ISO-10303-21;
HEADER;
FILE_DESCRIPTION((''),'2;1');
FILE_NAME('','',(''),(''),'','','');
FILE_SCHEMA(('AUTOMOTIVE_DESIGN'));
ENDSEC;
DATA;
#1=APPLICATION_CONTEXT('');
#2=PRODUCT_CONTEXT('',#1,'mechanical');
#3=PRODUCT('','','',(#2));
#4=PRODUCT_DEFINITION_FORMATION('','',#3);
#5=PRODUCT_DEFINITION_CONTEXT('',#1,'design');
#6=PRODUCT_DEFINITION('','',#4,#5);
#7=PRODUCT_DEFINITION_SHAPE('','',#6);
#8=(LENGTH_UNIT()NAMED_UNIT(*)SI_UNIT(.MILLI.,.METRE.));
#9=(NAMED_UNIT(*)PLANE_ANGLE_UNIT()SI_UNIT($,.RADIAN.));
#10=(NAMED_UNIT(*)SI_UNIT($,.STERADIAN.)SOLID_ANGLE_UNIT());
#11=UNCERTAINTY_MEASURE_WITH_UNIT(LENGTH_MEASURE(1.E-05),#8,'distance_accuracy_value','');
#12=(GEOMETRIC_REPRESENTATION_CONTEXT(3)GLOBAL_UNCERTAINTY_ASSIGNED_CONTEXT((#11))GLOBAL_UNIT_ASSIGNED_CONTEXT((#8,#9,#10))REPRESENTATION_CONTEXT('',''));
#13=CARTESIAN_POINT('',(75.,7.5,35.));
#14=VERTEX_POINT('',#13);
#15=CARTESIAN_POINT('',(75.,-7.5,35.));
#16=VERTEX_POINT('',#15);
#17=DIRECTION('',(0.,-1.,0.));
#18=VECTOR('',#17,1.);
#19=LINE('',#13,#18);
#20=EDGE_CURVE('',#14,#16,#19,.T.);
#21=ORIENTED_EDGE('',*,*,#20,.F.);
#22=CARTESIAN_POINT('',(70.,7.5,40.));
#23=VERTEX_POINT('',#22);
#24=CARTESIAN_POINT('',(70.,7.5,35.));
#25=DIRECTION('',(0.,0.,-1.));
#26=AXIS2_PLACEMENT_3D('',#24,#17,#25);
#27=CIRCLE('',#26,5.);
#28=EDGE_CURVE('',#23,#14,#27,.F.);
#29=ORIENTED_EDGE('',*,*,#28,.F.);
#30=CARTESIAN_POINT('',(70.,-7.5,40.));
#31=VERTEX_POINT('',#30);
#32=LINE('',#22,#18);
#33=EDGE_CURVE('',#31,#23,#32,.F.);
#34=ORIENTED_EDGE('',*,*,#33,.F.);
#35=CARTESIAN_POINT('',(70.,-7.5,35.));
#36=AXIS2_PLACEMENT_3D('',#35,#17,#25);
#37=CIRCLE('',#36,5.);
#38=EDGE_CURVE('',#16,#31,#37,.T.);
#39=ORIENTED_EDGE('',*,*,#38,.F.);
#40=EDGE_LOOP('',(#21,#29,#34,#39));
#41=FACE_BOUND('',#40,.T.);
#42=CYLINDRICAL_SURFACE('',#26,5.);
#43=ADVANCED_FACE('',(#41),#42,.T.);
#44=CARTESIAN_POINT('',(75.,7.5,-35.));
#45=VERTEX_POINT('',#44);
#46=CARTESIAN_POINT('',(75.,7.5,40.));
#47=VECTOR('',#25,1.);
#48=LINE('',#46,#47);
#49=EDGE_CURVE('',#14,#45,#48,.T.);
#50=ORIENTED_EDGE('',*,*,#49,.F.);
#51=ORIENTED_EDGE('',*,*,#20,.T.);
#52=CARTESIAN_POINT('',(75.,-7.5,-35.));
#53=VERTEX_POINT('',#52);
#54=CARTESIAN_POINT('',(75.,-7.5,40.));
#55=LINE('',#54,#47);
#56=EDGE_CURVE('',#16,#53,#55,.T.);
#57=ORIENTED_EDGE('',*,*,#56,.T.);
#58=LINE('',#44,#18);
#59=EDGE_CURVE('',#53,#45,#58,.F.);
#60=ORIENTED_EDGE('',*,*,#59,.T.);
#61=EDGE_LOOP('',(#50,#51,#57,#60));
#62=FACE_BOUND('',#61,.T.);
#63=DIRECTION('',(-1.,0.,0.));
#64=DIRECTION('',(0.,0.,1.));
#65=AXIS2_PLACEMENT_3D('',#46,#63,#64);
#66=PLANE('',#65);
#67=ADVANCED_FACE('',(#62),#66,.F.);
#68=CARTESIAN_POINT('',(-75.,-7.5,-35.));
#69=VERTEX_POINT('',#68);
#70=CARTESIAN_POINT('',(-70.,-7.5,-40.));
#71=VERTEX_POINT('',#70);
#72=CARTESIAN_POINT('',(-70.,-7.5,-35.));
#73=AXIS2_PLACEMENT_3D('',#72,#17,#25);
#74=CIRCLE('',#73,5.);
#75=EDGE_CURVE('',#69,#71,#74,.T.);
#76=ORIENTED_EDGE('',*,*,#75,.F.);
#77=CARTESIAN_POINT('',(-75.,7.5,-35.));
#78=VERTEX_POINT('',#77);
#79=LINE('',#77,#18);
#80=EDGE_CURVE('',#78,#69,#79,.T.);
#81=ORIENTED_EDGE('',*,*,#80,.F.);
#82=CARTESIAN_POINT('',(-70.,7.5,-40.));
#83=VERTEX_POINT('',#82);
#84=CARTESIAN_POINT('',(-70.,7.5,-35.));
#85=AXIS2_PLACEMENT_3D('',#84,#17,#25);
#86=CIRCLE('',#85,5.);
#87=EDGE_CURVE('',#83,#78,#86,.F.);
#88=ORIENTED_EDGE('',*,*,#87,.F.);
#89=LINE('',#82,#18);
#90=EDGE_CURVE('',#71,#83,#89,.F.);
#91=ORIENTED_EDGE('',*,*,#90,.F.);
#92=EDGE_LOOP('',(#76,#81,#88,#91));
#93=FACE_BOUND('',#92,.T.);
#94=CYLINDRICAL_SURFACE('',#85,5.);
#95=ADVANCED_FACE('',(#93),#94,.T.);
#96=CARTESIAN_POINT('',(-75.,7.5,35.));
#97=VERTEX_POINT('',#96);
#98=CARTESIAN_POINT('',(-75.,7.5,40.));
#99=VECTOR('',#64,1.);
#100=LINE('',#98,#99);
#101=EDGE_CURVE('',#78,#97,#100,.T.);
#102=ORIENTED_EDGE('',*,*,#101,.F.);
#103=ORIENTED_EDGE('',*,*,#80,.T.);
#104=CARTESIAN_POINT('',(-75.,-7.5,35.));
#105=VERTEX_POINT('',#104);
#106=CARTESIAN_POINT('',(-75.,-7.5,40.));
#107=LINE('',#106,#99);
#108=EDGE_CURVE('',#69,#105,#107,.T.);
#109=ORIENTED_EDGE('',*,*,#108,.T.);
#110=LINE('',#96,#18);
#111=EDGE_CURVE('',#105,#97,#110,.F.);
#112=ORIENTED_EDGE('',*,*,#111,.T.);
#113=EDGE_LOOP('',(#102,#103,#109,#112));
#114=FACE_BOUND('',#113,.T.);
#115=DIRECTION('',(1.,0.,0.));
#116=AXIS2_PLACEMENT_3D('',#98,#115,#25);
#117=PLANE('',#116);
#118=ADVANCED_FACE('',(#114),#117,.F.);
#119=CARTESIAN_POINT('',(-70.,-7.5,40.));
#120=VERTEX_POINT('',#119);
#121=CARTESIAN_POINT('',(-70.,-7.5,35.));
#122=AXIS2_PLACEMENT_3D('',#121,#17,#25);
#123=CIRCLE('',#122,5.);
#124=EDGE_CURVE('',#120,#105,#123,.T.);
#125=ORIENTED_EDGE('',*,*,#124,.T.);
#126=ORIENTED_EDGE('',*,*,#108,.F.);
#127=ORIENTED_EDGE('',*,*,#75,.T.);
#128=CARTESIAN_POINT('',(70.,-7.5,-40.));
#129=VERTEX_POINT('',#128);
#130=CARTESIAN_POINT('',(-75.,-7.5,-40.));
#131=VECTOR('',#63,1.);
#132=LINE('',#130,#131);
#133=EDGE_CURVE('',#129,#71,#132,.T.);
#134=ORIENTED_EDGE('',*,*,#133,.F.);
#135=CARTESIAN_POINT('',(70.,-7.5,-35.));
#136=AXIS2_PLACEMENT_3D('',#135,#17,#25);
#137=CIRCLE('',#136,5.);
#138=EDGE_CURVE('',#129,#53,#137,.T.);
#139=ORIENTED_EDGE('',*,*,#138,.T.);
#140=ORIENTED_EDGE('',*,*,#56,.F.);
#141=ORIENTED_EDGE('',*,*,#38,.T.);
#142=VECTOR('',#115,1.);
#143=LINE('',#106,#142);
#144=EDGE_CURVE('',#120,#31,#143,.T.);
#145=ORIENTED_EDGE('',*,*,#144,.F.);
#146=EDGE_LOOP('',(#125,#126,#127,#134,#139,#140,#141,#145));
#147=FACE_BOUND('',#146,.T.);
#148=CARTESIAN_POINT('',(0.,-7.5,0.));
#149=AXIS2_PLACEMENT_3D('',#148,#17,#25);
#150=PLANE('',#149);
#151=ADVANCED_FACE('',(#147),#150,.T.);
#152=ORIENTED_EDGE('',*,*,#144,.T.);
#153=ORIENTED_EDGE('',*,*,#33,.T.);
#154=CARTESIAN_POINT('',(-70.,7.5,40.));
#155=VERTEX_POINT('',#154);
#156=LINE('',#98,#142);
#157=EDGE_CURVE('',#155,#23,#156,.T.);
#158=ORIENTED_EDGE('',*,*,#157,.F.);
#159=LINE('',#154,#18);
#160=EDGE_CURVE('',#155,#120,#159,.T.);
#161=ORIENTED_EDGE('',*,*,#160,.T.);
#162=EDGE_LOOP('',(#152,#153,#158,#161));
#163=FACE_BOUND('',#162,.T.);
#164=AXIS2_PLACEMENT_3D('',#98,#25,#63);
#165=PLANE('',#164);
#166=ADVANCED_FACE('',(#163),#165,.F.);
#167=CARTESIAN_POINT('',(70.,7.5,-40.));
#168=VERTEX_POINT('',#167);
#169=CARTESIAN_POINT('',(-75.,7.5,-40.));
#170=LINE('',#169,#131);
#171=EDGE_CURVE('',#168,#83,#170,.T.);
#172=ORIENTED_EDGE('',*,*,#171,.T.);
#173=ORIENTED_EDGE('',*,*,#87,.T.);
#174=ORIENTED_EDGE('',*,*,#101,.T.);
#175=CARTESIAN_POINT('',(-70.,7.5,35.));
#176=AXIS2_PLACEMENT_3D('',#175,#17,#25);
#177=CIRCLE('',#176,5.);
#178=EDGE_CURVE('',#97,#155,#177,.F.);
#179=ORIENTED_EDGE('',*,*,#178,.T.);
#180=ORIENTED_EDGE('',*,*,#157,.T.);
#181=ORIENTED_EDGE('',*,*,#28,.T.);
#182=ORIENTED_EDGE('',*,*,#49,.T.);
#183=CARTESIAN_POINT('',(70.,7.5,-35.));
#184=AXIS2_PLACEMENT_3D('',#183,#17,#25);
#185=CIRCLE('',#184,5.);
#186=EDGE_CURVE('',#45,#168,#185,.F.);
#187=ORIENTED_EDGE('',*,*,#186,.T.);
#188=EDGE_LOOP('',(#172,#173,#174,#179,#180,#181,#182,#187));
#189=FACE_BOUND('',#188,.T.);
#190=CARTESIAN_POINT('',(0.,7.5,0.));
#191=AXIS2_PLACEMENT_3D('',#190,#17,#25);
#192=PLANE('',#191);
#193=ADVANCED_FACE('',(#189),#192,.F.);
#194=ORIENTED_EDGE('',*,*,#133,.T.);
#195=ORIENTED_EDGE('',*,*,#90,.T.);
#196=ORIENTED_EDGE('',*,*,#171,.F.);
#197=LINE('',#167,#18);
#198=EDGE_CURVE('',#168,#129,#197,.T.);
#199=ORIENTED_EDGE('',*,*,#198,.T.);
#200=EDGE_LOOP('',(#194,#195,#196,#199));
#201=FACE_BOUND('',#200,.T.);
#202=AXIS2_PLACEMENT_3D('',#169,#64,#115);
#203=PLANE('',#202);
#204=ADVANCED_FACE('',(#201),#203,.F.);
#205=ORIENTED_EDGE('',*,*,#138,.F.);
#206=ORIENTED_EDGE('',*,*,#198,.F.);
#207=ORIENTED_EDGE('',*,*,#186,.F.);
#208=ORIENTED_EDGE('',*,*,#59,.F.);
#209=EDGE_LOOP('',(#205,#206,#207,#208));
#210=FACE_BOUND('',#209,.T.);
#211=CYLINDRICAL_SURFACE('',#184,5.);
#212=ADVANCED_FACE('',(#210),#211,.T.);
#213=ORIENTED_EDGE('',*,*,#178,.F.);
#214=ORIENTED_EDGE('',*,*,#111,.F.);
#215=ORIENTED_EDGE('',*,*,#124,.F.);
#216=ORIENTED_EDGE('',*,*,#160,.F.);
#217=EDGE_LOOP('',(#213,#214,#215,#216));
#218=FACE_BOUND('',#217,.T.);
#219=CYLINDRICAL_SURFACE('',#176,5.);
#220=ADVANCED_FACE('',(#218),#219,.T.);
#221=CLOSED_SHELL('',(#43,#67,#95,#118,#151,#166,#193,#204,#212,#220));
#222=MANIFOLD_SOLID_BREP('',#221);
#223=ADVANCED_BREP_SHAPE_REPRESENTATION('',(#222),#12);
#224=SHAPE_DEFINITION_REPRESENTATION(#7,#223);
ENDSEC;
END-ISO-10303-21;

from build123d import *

# Parameters (mm, degrees)
SKETCH1_W           = 150
SKETCH1_H           = 80
BOSS_EXTRUDE1_DEPTH = 7.5
FILLET1_R           = 5


with BuildPart() as part:
    # Sketch1 → Boss-Extrude1 (new, symmetric)
    with BuildSketch(Plane(origin=(0, 0, 0), x_dir=(1, 0, 0), z_dir=(0, 1, 0))):
        Rectangle(SKETCH1_W, SKETCH1_H)
    extrude(amount=BOSS_EXTRUDE1_DEPTH, both=True)

    # Fillet1
    fillet1_edges = [part.edges().sort_by_distance(p)[0] for p in [
        (75, 0, 40),
        (-75, 0, 40),
        (-75, 0, -40),
        (75, 0, -40),
    ]]
    fillet(fillet1_edges, radius=FILLET1_R)


solid = part.part
